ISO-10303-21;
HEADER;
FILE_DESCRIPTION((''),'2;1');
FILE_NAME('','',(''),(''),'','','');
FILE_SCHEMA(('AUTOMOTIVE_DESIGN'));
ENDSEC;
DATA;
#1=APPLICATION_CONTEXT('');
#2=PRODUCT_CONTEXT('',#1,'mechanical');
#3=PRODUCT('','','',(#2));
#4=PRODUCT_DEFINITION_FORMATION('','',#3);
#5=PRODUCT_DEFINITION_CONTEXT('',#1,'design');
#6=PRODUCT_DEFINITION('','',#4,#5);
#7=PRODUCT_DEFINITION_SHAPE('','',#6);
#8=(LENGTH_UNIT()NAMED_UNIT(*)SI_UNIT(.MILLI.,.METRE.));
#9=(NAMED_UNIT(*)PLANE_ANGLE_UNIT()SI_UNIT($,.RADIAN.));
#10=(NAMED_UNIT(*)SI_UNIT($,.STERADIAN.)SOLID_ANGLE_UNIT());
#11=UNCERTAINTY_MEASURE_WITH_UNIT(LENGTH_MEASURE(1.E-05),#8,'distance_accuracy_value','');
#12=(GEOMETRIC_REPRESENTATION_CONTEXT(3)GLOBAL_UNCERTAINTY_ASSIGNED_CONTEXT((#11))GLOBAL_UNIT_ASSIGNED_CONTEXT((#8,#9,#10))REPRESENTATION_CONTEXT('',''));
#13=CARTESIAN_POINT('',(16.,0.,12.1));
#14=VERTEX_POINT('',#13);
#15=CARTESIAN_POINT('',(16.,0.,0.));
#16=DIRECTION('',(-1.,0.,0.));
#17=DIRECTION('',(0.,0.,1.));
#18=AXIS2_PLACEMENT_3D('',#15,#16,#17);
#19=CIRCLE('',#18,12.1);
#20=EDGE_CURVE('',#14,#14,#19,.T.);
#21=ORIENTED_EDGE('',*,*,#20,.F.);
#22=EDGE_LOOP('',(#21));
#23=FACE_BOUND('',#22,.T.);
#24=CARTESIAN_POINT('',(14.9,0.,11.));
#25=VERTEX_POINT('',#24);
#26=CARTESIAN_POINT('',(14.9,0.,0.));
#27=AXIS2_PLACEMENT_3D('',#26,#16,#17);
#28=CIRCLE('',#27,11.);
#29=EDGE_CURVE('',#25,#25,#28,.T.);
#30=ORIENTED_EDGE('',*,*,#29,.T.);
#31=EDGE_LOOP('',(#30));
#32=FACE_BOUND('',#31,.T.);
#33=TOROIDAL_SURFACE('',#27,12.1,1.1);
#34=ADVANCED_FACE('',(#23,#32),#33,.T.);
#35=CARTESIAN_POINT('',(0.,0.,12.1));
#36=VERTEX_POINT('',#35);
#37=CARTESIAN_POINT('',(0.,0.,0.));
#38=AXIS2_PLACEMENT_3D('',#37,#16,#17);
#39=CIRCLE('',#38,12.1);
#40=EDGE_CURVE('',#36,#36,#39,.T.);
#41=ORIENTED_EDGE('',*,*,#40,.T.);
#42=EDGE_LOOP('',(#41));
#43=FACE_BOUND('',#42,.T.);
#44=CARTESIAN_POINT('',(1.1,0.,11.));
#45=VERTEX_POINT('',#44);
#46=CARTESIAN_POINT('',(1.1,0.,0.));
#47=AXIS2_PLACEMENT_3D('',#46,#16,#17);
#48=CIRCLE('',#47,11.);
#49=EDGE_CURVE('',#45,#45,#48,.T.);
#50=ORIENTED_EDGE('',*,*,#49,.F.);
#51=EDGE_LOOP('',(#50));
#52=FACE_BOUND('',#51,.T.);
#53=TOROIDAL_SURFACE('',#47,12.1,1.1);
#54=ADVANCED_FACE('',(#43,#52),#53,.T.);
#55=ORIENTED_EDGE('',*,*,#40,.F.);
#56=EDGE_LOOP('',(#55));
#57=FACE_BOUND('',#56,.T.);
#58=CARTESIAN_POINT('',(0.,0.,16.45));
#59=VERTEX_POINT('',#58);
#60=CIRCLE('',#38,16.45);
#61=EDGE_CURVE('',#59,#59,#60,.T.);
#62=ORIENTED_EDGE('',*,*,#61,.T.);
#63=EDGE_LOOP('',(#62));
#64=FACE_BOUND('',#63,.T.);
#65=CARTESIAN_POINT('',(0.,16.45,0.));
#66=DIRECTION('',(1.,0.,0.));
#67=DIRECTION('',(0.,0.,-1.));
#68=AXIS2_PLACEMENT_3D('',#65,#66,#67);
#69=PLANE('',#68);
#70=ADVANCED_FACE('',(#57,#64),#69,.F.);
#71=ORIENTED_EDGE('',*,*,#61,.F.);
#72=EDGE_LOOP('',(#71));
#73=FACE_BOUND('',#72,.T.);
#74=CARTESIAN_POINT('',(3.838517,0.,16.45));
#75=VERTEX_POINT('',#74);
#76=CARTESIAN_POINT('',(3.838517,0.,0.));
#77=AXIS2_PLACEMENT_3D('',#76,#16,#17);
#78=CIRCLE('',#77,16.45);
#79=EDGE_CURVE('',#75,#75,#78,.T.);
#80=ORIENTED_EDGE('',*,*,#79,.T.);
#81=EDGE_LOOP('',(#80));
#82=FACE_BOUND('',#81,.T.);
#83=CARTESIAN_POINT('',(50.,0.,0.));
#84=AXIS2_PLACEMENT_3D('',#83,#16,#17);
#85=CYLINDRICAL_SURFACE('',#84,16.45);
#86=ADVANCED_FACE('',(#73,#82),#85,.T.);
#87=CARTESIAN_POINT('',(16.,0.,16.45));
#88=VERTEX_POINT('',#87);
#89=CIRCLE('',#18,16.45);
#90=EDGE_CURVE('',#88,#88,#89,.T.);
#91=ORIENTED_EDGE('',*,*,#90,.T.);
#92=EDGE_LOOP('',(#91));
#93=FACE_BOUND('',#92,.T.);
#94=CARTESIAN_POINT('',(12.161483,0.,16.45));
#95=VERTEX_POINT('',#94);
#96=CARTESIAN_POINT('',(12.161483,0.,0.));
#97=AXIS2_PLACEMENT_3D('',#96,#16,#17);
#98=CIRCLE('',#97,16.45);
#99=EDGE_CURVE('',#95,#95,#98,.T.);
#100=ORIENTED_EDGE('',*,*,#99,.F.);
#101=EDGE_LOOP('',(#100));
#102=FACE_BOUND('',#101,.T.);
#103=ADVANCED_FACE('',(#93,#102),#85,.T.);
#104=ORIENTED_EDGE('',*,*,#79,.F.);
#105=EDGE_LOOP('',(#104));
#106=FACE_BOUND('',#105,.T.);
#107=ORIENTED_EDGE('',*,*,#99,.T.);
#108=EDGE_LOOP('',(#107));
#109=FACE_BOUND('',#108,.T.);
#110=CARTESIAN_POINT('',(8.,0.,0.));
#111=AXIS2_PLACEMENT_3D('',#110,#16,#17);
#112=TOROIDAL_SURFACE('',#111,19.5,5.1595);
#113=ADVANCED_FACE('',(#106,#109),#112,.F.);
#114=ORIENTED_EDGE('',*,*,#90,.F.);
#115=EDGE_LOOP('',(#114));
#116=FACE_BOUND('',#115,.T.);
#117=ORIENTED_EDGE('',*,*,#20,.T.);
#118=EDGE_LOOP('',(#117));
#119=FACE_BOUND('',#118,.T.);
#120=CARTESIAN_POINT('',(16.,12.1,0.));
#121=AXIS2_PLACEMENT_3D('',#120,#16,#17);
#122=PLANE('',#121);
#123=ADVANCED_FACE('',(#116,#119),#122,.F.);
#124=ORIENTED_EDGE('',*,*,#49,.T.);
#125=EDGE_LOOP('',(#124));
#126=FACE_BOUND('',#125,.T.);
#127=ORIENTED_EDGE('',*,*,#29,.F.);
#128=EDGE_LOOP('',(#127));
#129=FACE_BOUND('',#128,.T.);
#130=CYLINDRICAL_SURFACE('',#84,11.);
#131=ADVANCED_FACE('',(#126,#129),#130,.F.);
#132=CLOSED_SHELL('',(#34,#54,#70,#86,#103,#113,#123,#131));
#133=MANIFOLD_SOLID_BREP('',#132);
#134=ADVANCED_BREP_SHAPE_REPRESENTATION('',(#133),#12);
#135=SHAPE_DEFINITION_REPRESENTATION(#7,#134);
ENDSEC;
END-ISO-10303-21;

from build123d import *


with BuildPart() as part:
    # Sketch1 → Revolução1 (revolve)
    with BuildSketch(Plane.XY, mode=Mode.PRIVATE) as revolu_o1_sk:
        with BuildLine():
            Line((1.1, 11), (14.9, 11))
            ThreePointArc((14.9, 11), (15.677817459, 11.322182541), (16, 12.1))
            Line((16, 12.1), (16, 16.45))
            Line((16, 16.45), (12.161482939, 16.45))
            ThreePointArc((12.161482939, 16.45), (8, 14.3405), (3.838517061, 16.45))
            Line((3.838517061, 16.45), (0, 16.45))
            Line((0, 16.45), (0, 12.1))
            ThreePointArc((0, 12.1), (0.322182541, 11.322182541), (1.1, 11))
        make_face()
    revolve(revolu_o1_sk.sketch.rotate(Axis((50, 0, 0), (-1, 0, 0)), 270), axis=Axis((50, 0, 0), (-1, 0, 0)))


solid = part.part
